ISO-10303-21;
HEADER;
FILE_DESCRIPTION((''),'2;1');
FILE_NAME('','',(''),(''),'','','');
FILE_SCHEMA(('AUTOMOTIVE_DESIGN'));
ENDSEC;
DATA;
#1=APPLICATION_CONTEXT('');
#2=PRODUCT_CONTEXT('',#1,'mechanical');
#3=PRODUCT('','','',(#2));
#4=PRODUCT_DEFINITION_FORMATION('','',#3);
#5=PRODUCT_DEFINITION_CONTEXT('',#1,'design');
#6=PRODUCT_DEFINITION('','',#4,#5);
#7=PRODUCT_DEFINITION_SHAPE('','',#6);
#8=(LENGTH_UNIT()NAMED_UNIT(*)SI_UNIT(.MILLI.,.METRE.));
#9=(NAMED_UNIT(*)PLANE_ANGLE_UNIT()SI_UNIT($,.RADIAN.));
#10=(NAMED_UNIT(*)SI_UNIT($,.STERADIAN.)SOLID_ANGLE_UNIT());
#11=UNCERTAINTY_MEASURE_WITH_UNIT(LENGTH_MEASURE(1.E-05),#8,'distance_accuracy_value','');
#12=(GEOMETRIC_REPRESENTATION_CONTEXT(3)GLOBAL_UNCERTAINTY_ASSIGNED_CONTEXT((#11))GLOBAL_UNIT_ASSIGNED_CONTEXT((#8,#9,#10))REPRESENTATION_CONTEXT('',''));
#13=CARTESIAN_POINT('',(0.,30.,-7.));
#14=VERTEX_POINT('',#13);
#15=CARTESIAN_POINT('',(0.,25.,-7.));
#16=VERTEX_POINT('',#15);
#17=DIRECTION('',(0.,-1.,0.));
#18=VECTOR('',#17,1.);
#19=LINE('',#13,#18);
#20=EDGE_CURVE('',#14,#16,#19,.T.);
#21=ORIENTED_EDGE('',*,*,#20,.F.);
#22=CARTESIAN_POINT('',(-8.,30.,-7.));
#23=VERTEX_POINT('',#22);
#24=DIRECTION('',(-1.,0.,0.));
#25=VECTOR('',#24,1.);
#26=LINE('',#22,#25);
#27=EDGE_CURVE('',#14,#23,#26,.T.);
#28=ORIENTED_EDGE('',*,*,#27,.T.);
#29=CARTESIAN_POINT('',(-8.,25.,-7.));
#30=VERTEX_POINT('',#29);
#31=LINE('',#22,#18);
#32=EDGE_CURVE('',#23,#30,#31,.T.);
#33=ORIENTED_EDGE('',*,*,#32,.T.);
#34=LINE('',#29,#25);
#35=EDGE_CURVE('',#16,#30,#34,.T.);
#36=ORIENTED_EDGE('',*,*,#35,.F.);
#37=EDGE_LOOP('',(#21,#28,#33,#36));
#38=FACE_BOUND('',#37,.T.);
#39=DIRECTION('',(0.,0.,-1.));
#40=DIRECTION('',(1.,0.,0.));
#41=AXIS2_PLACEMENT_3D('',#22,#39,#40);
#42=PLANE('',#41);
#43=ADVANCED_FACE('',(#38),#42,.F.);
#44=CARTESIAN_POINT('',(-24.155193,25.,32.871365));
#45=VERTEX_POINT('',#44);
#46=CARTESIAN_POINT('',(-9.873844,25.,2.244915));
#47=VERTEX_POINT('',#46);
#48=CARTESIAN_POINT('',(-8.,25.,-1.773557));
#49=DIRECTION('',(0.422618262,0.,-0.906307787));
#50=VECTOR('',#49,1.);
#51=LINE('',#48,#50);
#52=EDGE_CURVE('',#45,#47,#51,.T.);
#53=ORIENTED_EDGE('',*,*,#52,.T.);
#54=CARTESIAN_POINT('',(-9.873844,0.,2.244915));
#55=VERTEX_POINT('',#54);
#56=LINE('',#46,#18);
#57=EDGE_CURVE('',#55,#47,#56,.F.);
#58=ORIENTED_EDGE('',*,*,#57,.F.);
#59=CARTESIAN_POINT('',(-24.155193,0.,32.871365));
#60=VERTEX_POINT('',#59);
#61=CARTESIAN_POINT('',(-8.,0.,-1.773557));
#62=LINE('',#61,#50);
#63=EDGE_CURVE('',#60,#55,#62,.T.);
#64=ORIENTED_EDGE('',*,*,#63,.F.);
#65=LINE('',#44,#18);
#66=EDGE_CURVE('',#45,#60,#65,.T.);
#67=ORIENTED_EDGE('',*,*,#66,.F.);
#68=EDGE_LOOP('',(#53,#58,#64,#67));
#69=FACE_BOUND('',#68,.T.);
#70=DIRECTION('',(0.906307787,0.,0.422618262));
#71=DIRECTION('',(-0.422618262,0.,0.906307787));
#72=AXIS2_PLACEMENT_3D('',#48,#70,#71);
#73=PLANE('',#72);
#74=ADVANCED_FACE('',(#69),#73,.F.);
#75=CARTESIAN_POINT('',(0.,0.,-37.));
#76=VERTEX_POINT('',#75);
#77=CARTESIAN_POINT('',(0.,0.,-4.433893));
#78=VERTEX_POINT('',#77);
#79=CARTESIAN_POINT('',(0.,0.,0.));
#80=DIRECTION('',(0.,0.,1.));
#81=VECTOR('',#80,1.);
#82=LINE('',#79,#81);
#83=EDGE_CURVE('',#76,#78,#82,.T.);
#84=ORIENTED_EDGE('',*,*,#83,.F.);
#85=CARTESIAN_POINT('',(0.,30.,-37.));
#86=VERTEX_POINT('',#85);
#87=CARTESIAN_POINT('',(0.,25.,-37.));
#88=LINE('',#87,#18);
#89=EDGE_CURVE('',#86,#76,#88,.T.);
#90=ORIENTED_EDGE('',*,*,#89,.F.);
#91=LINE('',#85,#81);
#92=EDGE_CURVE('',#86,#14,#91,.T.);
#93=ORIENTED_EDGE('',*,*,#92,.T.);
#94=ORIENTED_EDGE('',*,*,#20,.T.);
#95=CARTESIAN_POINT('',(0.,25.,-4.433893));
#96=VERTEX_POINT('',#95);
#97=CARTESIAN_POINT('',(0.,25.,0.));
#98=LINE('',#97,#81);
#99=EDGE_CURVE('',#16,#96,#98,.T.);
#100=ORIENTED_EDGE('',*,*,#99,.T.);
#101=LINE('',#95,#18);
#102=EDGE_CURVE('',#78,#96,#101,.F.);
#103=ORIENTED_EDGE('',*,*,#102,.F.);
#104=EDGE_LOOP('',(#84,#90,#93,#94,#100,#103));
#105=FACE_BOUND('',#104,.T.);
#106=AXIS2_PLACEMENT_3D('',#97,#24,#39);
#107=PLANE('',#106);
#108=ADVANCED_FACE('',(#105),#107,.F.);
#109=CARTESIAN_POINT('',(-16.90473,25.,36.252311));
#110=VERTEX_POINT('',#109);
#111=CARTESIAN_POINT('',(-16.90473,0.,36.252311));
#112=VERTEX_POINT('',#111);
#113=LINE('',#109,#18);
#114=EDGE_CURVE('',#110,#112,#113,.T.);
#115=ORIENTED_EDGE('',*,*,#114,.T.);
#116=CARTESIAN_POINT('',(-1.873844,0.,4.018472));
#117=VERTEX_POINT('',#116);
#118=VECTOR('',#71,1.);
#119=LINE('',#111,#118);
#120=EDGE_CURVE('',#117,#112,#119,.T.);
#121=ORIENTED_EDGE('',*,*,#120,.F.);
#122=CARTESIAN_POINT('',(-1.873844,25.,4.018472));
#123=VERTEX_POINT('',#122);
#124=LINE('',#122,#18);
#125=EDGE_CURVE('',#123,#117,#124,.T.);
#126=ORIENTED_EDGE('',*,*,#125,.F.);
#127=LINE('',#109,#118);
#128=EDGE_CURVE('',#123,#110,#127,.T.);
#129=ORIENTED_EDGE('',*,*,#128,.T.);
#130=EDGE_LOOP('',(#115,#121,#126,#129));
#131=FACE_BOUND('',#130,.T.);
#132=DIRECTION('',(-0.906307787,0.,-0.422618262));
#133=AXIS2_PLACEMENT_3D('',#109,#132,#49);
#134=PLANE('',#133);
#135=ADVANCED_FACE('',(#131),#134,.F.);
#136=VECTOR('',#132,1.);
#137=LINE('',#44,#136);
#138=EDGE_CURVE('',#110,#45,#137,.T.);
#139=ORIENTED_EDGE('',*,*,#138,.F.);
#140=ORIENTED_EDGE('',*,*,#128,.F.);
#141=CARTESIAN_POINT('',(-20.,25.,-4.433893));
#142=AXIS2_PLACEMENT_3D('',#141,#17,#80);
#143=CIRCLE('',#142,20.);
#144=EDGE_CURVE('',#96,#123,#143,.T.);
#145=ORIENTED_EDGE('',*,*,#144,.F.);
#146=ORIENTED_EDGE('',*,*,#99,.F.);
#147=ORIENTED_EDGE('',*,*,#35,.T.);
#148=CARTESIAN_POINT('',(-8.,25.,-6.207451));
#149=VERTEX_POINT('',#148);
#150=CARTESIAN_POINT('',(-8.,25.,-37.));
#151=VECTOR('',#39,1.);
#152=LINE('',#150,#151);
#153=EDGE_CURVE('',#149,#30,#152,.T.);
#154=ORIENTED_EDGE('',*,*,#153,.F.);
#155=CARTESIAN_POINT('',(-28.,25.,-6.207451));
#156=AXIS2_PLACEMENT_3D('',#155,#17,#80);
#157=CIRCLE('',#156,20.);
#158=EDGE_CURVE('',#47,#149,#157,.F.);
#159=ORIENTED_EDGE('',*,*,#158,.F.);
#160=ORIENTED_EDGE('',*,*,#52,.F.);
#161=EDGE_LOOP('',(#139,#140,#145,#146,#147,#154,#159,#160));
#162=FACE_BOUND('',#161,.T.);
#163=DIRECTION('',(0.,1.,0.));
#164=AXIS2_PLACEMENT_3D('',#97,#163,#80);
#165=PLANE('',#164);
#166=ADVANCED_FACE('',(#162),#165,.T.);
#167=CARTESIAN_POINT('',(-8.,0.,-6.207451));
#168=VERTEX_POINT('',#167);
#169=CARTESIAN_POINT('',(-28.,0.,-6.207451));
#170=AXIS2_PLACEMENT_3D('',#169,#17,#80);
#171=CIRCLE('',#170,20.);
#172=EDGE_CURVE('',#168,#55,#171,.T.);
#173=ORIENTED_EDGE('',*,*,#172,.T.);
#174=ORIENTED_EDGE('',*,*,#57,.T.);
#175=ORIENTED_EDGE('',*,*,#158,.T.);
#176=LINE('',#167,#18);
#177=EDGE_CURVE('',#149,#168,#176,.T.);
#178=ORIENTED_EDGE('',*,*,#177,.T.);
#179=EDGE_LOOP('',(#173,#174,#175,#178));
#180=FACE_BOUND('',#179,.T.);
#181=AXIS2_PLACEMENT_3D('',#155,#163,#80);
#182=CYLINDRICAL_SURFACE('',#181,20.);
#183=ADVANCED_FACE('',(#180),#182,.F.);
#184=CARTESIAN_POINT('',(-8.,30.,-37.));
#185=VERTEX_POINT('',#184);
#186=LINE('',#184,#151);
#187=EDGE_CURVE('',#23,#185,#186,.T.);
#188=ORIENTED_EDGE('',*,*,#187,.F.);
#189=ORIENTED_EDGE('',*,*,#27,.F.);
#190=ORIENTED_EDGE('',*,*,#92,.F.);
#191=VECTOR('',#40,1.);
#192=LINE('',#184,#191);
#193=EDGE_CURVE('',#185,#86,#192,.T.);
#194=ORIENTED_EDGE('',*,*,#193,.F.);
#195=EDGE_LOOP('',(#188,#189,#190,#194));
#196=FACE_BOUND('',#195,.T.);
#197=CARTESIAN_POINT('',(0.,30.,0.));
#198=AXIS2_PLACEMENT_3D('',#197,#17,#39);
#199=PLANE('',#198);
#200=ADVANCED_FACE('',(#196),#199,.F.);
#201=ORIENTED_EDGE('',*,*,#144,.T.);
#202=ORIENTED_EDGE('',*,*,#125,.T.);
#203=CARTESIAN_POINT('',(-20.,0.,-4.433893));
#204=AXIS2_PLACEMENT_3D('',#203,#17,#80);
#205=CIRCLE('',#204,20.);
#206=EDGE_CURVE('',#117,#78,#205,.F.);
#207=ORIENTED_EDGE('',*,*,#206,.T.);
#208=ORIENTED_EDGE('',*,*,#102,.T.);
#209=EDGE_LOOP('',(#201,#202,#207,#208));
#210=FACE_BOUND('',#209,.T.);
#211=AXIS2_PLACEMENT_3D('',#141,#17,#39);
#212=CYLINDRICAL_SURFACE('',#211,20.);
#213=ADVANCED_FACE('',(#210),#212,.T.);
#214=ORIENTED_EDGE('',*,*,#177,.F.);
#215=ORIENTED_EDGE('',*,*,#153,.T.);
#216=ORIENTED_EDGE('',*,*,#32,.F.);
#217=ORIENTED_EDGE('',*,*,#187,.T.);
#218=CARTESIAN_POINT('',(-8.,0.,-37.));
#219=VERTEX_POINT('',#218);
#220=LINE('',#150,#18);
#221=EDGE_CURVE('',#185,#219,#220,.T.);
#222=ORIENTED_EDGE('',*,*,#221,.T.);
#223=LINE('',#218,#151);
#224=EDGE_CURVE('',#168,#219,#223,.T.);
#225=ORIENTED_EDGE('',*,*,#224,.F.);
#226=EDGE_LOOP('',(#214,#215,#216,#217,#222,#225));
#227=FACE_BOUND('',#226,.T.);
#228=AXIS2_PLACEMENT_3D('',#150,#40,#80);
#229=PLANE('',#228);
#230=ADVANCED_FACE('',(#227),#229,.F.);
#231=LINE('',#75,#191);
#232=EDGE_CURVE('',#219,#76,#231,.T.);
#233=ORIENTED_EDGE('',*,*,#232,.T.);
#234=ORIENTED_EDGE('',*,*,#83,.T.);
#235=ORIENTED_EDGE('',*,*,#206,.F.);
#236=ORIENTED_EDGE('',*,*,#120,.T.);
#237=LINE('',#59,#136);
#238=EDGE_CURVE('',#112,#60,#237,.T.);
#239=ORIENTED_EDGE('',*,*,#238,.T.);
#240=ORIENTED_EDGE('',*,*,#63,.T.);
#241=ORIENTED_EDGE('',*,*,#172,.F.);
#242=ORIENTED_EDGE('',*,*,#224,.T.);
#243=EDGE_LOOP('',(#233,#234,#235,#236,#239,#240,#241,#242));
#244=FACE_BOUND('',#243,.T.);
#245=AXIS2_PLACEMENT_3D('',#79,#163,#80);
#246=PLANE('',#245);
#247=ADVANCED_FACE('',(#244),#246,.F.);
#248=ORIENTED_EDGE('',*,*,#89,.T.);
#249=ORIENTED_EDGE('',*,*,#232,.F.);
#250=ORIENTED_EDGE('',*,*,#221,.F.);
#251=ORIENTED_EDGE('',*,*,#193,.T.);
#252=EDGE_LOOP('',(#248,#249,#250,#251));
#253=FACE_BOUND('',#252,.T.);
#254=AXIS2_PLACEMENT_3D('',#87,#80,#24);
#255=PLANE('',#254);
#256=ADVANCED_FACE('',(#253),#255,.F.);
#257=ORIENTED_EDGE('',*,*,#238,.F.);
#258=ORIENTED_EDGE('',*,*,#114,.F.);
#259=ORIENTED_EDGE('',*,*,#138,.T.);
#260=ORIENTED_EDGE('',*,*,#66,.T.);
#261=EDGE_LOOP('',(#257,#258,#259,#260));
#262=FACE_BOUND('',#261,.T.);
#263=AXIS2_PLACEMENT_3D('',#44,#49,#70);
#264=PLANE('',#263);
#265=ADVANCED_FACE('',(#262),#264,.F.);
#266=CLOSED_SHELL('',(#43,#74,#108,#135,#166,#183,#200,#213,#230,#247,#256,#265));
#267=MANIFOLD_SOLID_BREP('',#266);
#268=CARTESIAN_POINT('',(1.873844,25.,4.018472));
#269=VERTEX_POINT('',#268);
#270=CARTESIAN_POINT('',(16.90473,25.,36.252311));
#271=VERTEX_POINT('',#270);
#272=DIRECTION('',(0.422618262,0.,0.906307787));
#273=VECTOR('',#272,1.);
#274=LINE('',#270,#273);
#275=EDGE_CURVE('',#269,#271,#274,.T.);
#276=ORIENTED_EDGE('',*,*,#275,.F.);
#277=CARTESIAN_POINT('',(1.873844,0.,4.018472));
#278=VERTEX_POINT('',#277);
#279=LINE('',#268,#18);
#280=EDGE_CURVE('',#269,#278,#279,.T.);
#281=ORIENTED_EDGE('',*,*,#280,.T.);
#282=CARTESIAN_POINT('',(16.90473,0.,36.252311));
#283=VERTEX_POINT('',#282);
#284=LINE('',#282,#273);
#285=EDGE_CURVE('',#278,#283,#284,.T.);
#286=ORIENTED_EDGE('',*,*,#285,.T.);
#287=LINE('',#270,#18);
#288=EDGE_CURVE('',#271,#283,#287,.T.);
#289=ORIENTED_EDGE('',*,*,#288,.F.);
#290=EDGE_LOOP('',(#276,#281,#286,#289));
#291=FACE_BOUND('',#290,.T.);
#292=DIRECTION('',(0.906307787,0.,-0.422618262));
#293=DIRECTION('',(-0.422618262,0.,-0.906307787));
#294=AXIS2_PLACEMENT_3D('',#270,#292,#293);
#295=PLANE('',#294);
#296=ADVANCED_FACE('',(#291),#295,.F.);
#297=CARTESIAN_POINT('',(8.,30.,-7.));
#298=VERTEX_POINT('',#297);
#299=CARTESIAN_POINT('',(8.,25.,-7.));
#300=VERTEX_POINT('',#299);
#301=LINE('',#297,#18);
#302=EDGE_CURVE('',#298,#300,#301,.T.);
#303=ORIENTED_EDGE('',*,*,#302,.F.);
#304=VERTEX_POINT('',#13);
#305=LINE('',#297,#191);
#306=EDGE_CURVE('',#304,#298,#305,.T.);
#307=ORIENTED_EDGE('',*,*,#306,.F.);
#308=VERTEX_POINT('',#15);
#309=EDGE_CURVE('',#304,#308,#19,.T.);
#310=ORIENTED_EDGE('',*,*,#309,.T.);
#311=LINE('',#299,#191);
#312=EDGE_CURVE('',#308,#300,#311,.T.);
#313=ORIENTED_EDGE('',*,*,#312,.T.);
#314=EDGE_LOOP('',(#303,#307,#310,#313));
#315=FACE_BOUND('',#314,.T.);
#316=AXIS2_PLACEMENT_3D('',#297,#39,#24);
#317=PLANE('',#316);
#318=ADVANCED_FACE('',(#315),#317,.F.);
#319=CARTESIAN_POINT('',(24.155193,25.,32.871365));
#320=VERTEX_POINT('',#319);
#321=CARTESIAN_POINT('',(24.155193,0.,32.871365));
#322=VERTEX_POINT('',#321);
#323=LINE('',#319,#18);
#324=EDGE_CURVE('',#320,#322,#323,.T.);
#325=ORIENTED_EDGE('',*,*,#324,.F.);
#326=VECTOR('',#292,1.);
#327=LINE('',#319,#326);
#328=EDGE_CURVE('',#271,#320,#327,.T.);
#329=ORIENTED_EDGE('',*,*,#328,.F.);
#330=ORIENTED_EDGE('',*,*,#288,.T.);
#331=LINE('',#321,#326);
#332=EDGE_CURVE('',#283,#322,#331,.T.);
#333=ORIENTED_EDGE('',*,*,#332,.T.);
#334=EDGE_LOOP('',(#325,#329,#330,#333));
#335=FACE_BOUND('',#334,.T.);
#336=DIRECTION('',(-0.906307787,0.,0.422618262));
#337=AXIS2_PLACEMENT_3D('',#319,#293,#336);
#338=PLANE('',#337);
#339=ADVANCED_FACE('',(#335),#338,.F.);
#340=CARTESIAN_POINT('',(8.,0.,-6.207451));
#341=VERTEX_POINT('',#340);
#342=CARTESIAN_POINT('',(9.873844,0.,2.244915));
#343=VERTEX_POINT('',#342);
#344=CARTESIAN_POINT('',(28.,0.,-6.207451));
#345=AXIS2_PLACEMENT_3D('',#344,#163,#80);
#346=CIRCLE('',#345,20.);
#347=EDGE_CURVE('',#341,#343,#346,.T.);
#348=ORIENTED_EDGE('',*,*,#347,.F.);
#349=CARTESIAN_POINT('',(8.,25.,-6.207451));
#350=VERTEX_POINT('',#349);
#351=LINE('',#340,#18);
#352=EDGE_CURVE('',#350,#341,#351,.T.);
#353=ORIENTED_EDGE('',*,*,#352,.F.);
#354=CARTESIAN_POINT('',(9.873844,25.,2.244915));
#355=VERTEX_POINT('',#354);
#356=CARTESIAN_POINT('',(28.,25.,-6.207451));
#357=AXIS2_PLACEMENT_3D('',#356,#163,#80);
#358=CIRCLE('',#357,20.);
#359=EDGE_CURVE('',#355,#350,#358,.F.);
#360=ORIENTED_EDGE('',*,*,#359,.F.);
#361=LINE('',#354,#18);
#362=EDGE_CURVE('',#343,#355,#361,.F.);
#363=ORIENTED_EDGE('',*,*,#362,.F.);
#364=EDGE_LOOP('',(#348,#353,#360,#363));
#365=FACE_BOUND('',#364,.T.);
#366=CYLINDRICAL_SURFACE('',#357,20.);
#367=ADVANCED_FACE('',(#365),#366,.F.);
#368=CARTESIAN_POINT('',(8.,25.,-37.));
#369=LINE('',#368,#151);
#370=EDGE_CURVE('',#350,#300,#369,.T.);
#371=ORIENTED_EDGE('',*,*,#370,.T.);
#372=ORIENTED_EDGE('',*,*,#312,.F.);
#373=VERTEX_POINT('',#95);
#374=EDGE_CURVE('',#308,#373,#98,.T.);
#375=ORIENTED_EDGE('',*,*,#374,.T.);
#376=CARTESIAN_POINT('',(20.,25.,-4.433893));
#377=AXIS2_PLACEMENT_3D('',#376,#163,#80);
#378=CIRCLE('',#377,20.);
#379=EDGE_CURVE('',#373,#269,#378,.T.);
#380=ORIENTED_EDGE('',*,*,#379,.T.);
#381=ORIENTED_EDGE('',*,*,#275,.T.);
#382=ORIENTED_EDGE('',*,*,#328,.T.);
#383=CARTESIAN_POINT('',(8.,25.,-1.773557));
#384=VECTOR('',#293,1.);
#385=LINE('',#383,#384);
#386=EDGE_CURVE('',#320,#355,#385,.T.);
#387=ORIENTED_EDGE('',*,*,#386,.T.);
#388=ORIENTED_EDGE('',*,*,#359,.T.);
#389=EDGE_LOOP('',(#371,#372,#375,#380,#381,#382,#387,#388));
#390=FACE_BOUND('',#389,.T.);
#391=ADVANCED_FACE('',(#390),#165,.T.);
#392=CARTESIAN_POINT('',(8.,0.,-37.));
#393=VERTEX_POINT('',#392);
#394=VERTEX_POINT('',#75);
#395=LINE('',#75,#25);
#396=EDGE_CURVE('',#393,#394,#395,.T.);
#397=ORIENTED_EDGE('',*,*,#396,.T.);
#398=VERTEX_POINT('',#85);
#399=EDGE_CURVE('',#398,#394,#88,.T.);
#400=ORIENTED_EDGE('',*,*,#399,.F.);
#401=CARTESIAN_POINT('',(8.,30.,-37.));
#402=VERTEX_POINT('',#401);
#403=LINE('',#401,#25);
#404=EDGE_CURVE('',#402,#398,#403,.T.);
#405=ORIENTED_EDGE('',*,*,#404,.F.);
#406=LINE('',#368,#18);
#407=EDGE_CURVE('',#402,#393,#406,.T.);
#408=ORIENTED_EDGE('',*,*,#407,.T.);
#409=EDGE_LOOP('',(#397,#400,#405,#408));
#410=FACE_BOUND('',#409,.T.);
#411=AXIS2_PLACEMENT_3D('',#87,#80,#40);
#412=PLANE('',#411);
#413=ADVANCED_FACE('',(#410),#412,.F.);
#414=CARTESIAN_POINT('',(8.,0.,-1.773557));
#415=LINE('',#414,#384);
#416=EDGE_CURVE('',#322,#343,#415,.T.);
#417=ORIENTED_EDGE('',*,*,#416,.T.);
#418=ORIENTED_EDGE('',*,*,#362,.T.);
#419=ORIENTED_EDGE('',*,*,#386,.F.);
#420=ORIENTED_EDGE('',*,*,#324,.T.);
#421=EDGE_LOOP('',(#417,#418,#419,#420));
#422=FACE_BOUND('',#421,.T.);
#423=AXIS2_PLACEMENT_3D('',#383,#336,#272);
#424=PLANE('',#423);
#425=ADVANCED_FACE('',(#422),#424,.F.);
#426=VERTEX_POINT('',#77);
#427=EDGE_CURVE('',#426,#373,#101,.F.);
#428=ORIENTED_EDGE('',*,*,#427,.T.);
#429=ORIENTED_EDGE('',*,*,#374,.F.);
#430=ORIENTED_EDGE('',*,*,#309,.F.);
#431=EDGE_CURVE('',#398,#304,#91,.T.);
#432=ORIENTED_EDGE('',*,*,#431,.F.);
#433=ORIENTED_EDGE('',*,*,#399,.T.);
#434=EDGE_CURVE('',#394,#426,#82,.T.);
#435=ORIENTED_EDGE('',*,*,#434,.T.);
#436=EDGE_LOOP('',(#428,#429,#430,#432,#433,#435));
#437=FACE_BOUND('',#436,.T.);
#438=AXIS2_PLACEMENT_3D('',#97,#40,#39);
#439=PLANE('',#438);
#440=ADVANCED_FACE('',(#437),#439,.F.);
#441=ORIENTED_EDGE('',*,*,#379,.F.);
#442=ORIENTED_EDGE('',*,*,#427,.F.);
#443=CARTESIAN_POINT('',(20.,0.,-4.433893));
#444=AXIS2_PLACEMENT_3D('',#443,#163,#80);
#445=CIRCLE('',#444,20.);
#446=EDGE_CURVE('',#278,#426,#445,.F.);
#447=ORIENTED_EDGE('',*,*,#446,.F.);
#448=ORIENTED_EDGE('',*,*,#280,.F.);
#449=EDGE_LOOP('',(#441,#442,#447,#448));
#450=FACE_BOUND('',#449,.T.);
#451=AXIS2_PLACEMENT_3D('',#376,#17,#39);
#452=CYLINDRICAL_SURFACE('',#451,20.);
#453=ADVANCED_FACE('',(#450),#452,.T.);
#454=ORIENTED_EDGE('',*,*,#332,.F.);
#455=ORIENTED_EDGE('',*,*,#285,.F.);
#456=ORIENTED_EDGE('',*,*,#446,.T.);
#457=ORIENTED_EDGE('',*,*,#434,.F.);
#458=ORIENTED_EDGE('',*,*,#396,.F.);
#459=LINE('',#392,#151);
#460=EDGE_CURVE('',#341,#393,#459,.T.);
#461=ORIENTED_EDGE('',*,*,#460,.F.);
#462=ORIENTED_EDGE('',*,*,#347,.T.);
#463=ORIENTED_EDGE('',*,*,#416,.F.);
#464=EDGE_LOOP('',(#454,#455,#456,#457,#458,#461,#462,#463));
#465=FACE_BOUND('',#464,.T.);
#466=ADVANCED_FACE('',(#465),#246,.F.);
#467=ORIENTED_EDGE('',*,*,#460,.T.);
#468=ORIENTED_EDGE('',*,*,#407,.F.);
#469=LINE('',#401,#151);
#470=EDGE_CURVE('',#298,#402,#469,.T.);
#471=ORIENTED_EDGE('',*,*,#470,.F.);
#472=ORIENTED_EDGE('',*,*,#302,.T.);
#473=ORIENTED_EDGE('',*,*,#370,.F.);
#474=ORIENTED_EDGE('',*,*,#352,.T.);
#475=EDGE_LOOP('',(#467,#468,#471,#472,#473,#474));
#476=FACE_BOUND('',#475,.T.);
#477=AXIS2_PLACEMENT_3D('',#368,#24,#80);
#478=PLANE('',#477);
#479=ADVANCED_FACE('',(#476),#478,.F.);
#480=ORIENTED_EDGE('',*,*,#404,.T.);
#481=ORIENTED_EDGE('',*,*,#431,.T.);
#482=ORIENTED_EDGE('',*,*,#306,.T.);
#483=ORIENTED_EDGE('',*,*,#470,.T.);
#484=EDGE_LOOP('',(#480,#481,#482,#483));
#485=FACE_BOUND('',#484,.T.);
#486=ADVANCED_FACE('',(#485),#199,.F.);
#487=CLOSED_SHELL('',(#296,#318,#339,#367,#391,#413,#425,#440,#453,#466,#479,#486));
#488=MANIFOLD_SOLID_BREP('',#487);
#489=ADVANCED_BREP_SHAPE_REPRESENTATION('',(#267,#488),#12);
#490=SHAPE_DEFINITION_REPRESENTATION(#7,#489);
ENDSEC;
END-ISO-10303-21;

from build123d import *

# Parameters (mm, degrees)
BOSS_EXTRUDE1_DEPTH = 25
SKETCH2_W           = 8
SKETCH2_H           = 30
BOSS_EXTRUDE2_DEPTH = 5
FILLET1_R           = 20


with BuildPart() as part:
    # Sketch1 → Boss-Extrude1 (new body)
    with BuildSketch(Plane(origin=(0, 0, 0), x_dir=(1, 0, 0), z_dir=(0, 1, 0))):
        Polygon((0, 0), (0, 37), (8, 37), (8, 1.773557301), (24.155192766, -32.871365388), (16.90473047, -36.252311481), align=None)
    extrude(amount=BOSS_EXTRUDE1_DEPTH)

    # Sketch2 → Boss-Extrude2 (add)
    with BuildSketch(Plane(origin=(0, 25, 0), x_dir=(1, 0, 0), z_dir=(0, 1, 0))):
        with Locations((4, 22)):
            Rectangle(SKETCH2_W, SKETCH2_H)
    extrude(amount=BOSS_EXTRUDE2_DEPTH)

    # Fillet1
    fillet1_edges = [part.edges().sort_by_distance(p)[0] for p in [
        (0, 12.5, 0),
        (8, 12.5, -1.773557301),
    ]]
    fillet(fillet1_edges, radius=FILLET1_R)


with BuildPart() as body_2:
    # Mirror1: mirrored copy
    add(part.part.mirror(Plane(origin=(0, 0, 0), x_dir=(0, 0, 1), z_dir=(1, 0, 0))))


solid = Compound([part.part, body_2.part])
